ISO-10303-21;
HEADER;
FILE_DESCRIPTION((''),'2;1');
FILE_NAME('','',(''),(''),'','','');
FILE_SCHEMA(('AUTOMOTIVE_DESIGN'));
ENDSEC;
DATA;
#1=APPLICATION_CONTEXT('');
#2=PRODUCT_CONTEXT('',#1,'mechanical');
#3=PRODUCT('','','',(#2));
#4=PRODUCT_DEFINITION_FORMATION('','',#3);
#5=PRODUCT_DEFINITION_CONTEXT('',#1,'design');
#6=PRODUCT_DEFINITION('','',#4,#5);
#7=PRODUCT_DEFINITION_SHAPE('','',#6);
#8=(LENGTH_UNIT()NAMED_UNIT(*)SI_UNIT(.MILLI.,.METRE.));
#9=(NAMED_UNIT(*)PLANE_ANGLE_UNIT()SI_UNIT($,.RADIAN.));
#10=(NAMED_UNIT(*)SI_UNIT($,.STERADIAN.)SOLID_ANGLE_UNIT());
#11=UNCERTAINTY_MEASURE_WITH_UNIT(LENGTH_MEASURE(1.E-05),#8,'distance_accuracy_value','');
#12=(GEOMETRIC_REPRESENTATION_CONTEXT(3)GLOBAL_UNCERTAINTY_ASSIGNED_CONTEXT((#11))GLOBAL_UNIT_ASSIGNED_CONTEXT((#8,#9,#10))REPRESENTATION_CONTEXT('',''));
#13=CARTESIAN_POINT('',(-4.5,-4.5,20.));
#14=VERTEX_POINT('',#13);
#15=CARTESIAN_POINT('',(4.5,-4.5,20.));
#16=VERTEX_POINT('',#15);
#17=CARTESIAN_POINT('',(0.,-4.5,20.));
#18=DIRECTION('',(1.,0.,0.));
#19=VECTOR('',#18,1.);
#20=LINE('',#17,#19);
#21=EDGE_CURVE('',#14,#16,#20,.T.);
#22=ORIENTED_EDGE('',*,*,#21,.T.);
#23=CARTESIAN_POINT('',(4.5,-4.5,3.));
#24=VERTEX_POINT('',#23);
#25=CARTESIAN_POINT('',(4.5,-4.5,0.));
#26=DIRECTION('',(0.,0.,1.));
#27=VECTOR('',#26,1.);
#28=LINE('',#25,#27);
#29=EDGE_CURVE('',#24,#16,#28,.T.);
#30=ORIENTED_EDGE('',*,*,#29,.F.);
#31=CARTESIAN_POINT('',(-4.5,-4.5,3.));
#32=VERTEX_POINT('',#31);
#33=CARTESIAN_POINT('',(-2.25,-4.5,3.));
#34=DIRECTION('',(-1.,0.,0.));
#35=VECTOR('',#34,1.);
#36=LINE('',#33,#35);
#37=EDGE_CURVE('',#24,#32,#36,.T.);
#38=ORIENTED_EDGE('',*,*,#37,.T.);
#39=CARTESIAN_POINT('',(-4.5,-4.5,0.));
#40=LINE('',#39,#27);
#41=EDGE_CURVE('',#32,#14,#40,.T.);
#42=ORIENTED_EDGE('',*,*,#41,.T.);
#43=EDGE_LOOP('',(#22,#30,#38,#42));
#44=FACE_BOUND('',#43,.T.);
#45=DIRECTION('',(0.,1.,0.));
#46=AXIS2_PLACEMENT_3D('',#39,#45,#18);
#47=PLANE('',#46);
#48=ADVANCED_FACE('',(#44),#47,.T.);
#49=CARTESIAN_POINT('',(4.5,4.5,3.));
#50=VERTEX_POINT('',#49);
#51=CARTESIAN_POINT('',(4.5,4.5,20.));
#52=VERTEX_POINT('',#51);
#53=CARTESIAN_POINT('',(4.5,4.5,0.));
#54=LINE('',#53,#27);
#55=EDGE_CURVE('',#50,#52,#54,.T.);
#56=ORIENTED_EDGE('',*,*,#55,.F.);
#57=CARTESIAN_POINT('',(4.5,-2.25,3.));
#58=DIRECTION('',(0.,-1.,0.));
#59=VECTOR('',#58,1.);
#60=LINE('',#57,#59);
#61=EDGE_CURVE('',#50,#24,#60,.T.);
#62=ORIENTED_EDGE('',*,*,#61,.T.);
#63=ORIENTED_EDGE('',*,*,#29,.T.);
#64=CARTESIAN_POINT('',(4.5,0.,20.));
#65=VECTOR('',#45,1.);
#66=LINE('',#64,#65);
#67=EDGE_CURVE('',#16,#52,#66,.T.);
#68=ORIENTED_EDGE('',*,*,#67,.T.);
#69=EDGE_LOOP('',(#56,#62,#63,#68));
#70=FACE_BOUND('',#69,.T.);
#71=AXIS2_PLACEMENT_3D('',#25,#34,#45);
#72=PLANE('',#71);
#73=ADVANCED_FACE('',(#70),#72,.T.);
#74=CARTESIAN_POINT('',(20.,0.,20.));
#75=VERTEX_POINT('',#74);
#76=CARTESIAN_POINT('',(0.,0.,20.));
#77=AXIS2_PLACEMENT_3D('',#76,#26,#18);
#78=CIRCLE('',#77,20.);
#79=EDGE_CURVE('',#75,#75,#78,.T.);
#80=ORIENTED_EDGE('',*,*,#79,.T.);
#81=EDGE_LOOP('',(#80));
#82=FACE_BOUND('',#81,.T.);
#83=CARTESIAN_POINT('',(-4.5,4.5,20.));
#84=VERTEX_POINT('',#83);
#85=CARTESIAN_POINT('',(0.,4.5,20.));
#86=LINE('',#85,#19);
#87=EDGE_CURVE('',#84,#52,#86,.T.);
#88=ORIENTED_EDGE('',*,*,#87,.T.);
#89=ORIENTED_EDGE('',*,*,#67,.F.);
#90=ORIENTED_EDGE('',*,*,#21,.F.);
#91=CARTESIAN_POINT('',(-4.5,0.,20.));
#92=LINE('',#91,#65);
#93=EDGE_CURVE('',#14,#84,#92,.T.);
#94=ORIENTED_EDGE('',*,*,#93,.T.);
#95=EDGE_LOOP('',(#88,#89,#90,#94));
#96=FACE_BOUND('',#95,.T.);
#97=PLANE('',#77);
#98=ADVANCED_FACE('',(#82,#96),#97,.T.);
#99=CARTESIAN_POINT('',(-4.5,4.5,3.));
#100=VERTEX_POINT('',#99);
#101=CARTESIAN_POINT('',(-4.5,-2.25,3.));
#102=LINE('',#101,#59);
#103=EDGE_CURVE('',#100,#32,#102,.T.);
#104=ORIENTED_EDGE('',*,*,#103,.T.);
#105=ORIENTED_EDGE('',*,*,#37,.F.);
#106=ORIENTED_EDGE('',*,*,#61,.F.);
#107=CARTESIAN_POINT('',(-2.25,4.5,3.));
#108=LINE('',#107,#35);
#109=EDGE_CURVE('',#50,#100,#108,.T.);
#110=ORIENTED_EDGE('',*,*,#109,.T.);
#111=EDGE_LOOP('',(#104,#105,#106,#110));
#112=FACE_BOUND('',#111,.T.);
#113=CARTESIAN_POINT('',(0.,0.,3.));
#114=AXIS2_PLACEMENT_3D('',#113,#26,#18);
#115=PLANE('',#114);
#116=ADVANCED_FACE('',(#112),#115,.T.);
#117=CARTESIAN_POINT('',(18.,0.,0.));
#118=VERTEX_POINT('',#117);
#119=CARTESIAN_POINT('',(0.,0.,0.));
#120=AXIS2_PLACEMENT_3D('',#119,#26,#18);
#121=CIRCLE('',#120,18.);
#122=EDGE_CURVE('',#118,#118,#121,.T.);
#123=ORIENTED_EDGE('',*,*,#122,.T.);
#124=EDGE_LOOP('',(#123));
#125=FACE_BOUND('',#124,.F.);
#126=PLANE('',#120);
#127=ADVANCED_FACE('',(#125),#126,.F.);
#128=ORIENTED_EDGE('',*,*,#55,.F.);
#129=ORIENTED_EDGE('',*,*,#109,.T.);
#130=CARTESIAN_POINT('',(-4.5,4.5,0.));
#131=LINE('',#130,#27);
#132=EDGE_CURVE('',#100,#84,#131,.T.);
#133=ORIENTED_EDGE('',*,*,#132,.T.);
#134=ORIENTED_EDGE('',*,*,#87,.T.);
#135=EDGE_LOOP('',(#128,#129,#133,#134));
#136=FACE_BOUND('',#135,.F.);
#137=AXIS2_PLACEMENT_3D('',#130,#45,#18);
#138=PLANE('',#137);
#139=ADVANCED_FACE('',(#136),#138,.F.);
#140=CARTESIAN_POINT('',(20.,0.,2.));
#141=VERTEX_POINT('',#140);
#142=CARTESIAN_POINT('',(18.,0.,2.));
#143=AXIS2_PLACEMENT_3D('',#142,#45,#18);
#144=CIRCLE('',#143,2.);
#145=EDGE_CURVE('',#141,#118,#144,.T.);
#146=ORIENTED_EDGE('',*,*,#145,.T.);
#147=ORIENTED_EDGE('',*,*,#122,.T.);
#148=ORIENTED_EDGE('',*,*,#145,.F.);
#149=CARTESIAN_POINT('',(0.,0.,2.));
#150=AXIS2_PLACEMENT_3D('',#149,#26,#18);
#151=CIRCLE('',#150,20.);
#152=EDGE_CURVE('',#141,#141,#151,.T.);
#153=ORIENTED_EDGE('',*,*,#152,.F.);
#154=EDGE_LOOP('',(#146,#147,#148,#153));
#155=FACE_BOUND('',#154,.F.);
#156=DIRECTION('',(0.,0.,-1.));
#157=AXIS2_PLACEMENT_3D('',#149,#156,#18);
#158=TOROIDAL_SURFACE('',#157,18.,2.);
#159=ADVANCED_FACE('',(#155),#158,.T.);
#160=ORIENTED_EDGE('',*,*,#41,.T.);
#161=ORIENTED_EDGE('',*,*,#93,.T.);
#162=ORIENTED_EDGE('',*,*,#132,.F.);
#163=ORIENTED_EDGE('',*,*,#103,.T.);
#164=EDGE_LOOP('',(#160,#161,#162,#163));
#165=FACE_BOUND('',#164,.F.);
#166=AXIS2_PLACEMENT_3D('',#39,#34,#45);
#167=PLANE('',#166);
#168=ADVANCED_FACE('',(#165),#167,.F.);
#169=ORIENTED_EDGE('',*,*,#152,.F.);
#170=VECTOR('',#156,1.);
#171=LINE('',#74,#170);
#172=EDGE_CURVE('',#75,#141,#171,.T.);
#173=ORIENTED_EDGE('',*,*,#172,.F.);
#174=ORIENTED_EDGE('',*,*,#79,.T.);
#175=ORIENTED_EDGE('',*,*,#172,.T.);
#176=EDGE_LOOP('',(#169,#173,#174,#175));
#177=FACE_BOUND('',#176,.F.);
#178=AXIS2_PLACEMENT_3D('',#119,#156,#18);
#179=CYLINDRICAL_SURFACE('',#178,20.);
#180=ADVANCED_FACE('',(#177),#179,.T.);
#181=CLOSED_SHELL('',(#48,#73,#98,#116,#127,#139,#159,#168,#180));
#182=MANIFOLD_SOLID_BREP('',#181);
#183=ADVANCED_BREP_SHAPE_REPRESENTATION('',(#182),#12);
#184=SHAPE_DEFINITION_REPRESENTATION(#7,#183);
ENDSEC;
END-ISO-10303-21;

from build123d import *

# Parameters (mm, degrees)
F0_R     = 20
F0_W     = 9
F0_H     = 9
F1_DEPTH = 3
F2_DEPTH = 20
F3_R     = 2


with BuildPart() as f1:
    # F0 (on Top) → F1 (new body)
    with BuildSketch(Plane.XY):
        Circle(F0_R)
        Rectangle(F0_W, F0_H, mode=Mode.SUBTRACT)
        Rectangle(F0_W, F0_H)
    extrude(amount=F1_DEPTH)

    # F0 (on Top) → F2 (join)
    with BuildSketch(Plane.XY):
        Circle(F0_R)
        Rectangle(F0_W, F0_H, mode=Mode.SUBTRACT)
    extrude(amount=F2_DEPTH)

    # F3
    f3_edges = [f1.edges().sort_by_distance(p)[0] for p in [
        (-20, 0, 0),
    ]]
    fillet(f3_edges, radius=F3_R)


solid = f1.part
